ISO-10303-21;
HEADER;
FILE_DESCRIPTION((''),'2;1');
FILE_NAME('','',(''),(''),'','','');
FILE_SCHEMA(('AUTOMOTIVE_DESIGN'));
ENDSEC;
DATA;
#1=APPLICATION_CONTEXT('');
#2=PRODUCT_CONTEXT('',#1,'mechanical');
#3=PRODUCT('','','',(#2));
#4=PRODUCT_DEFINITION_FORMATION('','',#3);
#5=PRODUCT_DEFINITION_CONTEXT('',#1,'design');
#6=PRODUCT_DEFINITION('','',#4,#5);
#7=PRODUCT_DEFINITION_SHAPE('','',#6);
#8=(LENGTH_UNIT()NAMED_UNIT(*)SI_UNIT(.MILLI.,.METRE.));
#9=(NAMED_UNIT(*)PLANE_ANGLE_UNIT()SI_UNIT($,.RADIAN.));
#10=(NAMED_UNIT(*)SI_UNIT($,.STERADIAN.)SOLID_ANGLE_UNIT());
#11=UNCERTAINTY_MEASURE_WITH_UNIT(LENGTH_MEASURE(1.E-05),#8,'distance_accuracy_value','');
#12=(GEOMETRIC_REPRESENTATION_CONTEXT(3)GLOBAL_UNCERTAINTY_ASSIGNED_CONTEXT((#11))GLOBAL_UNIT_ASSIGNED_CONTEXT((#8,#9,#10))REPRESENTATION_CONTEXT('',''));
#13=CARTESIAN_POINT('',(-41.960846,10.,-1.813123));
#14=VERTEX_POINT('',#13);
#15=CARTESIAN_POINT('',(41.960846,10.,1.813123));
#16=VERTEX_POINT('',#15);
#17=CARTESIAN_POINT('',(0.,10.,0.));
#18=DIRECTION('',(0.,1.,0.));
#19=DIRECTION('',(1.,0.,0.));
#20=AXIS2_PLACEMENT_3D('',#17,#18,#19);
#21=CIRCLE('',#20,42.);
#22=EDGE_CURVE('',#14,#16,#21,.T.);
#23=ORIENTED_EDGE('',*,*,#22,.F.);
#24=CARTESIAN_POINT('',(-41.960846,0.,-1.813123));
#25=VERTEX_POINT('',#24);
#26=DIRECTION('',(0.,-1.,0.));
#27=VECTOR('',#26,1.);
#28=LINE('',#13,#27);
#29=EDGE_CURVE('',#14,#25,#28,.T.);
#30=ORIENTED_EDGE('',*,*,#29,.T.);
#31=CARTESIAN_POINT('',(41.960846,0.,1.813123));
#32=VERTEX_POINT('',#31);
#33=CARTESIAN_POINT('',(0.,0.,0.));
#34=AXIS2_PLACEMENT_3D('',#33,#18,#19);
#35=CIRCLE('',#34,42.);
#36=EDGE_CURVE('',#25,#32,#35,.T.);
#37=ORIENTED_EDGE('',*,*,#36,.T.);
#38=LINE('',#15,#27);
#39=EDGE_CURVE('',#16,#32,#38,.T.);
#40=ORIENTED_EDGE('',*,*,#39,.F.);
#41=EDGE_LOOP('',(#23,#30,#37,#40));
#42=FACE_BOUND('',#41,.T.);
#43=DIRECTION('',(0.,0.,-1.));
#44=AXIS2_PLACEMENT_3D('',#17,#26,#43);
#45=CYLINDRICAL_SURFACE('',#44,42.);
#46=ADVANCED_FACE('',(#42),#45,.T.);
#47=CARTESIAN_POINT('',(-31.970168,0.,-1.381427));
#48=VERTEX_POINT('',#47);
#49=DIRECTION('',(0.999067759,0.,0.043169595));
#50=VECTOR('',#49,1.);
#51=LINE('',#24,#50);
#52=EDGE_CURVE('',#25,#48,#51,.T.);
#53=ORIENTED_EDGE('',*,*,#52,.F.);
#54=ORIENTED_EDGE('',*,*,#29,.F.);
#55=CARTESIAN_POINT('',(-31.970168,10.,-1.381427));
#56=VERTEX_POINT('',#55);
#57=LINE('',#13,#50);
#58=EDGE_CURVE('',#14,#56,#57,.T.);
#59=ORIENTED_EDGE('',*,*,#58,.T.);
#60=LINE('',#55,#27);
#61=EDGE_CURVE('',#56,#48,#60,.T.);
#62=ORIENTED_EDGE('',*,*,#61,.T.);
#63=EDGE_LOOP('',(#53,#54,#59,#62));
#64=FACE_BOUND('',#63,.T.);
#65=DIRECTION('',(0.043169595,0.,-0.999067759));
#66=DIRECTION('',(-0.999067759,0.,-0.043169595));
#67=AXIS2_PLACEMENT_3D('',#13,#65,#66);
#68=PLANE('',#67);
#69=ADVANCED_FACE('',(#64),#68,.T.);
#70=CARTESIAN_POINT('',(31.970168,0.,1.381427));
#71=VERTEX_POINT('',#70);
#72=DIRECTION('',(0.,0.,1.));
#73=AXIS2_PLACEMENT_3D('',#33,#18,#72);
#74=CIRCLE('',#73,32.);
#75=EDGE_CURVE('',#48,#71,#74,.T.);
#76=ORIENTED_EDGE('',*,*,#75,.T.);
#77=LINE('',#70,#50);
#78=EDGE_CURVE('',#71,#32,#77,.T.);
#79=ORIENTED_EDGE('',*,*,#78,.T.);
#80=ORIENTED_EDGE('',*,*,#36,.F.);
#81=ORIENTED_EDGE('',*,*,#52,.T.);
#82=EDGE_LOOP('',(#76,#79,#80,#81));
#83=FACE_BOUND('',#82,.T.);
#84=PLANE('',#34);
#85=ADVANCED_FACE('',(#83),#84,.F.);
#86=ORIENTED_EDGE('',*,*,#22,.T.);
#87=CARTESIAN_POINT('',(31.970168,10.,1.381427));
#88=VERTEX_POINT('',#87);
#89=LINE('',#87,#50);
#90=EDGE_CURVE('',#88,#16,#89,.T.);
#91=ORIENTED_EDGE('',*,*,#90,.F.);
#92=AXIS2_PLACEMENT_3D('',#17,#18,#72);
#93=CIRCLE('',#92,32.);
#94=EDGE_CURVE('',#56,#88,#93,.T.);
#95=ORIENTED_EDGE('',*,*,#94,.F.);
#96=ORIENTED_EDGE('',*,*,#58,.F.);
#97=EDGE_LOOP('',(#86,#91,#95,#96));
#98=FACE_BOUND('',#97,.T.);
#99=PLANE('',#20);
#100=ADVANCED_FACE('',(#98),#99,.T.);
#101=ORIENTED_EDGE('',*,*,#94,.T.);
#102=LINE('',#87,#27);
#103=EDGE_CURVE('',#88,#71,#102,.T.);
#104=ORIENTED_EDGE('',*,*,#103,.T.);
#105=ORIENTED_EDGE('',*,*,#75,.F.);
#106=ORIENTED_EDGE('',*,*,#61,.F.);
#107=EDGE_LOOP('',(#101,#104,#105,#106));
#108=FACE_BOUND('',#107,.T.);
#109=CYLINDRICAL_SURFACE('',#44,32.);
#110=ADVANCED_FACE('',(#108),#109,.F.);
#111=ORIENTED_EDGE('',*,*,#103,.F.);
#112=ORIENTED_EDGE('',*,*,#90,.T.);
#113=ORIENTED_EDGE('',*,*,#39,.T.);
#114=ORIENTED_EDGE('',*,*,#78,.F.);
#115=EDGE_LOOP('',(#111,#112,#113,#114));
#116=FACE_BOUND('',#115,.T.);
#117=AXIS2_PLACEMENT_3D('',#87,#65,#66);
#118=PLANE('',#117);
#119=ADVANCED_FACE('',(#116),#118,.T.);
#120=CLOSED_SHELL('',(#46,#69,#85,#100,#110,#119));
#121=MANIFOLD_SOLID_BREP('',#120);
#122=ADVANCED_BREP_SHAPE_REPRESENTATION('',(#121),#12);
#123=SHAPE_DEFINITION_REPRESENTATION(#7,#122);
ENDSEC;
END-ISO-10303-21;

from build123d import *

# Parameters (mm, degrees)
EXTRUDE_1_DEPTH = 10


with BuildPart() as part:
    # Эскиз2 → Вытянуть-Тонкостенный1 (new body)
    with BuildSketch(Plane(origin=(0, 0, 0), x_dir=(1, 0, 0), z_dir=(0, 1, 0))):
        with BuildLine():
            ThreePointArc((-31.970168273, 1.381427024), (-1.381427024, -31.970168273), (31.970168273, -1.381427024))
            Line((31.970168273, -1.381427024), (41.960845858, -1.813122969))
            ThreePointArc((41.960845858, -1.813122969), (-1.813122969, -41.960845858), (-41.960845858, 1.813122969))
            Line((-41.960845858, 1.813122969), (-31.970168273, 1.381427024))
        make_face()
    extrude(amount=EXTRUDE_1_DEPTH)


solid = part.part
